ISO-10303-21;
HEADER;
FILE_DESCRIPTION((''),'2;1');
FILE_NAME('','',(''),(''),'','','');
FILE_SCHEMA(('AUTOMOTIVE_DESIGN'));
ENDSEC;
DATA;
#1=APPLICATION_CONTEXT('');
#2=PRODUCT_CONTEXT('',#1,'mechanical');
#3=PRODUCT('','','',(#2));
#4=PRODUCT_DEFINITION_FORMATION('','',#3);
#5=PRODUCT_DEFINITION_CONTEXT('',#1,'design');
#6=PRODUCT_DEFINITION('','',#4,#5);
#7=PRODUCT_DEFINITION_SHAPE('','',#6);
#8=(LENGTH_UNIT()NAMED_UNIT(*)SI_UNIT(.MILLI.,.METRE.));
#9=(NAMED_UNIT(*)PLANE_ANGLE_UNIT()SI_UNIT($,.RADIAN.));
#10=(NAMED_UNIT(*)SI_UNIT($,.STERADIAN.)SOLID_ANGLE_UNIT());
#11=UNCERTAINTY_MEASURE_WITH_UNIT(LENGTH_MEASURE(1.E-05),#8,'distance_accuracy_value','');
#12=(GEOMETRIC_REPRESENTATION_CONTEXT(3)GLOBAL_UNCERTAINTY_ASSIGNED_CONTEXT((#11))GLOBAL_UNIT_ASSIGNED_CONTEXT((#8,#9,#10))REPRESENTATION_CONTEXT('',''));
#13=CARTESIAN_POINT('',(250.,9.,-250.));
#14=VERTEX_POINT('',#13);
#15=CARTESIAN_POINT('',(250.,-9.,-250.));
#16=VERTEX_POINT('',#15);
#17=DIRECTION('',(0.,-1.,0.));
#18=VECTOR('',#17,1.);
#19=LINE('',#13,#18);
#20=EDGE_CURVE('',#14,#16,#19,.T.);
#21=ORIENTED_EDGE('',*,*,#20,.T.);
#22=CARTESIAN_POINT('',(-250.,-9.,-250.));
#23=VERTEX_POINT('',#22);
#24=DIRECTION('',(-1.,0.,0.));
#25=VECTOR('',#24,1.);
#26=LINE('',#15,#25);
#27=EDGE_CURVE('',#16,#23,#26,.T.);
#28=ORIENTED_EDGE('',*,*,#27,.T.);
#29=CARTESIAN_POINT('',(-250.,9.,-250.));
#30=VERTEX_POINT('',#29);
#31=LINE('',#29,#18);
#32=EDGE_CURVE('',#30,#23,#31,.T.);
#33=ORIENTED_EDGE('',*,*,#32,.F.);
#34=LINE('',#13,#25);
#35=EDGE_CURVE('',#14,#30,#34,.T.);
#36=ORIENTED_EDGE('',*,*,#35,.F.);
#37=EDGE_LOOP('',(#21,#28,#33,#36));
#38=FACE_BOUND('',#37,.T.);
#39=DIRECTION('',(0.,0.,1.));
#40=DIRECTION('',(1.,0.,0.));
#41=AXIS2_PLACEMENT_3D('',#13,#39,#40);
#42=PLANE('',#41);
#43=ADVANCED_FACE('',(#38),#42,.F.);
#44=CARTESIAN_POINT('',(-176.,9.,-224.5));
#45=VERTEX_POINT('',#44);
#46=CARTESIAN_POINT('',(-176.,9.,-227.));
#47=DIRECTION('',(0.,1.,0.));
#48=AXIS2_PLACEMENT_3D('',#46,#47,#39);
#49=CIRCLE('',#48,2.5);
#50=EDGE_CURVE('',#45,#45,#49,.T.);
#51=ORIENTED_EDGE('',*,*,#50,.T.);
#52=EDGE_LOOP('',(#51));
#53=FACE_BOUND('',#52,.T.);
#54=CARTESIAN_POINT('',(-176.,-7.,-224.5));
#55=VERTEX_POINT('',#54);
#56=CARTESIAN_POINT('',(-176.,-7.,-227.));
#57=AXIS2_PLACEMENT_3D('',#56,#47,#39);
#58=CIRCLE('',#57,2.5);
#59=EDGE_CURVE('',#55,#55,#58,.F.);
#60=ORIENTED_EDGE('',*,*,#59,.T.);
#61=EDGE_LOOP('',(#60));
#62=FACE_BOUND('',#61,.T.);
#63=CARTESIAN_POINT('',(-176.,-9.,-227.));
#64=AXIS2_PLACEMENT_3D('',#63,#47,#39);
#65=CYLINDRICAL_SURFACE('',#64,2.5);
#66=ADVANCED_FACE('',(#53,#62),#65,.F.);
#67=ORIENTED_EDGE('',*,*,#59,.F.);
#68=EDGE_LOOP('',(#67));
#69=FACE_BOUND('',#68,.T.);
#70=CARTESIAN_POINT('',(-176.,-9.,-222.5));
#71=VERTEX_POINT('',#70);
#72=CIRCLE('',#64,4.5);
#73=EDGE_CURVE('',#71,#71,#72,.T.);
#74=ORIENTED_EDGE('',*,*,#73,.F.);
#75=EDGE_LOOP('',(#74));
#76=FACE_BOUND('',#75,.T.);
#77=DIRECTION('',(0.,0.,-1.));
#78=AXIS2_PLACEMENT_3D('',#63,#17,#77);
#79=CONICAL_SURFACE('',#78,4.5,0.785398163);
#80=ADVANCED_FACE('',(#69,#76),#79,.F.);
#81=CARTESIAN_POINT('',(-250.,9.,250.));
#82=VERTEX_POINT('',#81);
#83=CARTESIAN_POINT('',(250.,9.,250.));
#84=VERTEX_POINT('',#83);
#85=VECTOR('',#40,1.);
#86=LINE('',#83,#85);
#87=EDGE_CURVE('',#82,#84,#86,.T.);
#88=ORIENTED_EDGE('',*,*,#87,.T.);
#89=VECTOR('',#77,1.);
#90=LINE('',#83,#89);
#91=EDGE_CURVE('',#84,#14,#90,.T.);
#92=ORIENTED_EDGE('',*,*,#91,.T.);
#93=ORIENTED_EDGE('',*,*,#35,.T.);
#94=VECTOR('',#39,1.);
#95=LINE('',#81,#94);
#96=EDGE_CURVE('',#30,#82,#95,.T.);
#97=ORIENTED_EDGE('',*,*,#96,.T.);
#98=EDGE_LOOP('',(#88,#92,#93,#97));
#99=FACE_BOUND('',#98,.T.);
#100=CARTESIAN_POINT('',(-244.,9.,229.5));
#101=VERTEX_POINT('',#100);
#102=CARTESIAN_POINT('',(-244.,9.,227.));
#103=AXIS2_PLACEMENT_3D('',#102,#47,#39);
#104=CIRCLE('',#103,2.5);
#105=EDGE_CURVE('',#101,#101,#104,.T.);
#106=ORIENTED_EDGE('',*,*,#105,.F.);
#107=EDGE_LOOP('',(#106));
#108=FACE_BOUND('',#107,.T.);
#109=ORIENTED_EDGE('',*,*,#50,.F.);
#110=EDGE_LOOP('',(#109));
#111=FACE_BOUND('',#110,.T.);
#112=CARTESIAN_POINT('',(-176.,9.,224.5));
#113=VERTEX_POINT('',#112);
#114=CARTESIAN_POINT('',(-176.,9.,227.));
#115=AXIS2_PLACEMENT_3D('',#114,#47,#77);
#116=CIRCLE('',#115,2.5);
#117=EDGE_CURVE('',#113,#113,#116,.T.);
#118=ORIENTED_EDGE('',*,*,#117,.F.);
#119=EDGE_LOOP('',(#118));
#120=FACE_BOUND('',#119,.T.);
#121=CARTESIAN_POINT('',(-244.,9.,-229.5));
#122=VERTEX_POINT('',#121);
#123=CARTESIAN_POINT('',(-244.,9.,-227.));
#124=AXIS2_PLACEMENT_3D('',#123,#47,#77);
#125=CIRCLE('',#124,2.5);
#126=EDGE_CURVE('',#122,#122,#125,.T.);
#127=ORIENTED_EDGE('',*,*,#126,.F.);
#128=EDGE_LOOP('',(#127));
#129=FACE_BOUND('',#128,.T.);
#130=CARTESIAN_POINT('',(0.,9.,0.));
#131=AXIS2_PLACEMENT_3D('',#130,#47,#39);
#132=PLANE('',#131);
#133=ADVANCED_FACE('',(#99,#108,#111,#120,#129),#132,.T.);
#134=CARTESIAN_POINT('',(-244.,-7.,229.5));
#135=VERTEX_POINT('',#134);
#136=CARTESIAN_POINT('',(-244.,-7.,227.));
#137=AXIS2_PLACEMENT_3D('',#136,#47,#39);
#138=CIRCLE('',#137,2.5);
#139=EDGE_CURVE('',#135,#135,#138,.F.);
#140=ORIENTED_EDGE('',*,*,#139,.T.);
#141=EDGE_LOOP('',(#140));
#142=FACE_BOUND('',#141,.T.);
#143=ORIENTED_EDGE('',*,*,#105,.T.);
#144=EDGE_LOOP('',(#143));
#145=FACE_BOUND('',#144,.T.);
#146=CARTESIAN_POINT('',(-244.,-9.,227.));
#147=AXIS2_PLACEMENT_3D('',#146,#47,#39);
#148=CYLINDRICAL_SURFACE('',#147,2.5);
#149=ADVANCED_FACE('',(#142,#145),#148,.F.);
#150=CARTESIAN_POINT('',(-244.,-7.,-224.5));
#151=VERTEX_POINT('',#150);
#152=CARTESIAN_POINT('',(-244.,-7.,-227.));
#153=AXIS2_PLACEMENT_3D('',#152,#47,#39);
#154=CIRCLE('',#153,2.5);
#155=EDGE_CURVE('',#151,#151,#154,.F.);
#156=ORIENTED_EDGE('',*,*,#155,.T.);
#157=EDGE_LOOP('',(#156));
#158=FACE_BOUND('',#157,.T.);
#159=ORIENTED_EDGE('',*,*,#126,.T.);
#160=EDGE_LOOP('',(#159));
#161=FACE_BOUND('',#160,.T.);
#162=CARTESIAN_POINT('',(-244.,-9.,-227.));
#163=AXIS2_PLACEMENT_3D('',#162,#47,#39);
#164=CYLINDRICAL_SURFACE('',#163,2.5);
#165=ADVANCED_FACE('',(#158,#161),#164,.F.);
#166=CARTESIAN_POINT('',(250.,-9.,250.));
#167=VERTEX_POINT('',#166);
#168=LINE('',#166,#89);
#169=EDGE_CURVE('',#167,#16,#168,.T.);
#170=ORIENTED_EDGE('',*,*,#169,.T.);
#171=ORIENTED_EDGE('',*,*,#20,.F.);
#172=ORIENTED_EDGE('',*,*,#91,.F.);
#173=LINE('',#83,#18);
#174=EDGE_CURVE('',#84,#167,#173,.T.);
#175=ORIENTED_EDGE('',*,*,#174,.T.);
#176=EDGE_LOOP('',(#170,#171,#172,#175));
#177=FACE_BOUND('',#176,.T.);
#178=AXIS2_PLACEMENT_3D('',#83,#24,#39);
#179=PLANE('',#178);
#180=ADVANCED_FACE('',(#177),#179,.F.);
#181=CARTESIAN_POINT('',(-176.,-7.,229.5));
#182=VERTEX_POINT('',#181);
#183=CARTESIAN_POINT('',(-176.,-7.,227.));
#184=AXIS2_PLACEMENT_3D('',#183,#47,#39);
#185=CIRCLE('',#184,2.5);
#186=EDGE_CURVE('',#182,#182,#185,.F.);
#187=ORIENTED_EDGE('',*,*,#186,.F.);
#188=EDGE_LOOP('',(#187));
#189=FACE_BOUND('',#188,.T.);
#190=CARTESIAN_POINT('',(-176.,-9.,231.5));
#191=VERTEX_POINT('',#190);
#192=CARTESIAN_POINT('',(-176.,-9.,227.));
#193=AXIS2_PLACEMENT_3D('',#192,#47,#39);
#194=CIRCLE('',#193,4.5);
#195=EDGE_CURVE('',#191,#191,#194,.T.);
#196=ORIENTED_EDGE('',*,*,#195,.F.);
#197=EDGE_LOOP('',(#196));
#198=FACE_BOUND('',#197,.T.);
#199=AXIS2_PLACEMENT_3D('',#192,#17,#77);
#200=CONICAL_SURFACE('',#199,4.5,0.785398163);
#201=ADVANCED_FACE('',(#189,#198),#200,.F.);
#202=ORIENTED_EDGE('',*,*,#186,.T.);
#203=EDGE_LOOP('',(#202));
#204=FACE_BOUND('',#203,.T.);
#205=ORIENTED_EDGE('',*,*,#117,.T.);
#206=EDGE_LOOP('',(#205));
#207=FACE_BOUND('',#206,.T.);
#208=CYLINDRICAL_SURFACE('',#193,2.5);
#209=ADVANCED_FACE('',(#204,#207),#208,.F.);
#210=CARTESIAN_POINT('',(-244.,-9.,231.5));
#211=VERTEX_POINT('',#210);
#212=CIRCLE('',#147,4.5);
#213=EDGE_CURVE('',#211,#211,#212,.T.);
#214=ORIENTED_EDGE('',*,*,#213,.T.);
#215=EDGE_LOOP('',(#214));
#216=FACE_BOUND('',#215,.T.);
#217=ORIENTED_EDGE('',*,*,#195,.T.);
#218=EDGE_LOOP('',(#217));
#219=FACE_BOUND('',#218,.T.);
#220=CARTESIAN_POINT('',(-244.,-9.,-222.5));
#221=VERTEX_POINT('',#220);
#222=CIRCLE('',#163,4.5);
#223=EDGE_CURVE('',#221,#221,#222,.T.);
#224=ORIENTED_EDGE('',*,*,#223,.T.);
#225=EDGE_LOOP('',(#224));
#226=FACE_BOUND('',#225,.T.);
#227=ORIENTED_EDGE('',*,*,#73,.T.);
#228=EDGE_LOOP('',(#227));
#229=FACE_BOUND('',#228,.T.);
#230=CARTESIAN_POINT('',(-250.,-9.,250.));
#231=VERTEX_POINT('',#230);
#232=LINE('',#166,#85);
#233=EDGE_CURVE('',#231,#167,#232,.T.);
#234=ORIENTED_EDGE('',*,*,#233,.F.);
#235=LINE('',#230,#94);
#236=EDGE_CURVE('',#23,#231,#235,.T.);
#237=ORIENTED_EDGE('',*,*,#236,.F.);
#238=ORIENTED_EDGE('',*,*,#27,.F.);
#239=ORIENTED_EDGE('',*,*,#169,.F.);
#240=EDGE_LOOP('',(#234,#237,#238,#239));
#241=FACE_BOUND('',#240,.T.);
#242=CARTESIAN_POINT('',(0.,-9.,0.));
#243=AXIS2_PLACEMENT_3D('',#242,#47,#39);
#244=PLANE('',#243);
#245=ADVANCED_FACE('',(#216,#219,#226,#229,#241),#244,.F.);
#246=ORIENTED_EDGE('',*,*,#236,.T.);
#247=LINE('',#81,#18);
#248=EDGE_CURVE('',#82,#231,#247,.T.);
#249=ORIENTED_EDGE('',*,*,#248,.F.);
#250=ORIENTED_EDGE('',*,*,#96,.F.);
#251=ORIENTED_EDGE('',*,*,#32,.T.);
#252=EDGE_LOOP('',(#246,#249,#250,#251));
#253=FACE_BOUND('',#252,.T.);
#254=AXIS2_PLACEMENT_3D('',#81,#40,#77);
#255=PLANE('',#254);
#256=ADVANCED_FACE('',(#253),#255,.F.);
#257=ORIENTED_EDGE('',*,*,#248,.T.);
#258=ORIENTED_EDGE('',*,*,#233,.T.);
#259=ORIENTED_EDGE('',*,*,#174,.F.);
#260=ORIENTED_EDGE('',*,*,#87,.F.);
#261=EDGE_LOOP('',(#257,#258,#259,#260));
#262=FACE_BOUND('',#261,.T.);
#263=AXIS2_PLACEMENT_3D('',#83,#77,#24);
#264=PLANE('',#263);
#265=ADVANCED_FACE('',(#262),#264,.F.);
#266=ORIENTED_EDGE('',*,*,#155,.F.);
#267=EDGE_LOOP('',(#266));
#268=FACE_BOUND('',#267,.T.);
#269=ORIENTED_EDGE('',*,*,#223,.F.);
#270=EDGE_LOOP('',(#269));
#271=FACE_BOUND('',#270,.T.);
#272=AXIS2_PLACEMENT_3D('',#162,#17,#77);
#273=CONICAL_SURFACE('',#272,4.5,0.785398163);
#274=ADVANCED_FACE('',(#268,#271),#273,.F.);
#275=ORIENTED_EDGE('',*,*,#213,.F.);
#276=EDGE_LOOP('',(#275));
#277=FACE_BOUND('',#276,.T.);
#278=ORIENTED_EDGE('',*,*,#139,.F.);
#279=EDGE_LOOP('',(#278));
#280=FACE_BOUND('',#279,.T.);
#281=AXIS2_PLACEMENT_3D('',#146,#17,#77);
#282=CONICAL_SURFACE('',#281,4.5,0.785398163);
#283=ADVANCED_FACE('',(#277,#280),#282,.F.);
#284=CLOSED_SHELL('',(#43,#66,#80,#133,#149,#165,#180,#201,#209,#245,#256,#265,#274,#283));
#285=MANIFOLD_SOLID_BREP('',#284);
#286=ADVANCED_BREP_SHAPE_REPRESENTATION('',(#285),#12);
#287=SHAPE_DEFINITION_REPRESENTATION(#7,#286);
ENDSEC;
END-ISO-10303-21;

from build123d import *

# Parameters (mm, degrees)
SKETCH1_W           = 500
SKETCH1_H           = 500
BOSS_EXTRUDE2_DEPTH = 9
SKETCH2_R           = 2.5
CUT_EXTRUDE1_DEPTH  = 355.011299255
CHAMFER1_SIZE       = 2


with BuildPart() as part:
    # Sketch1 → Boss-Extrude2 (new, symmetric)
    with BuildSketch(Plane(origin=(0, 0, 0), x_dir=(1, 0, 0), z_dir=(0, 1, 0))):
        Rectangle(SKETCH1_W, SKETCH1_H)
    extrude(amount=BOSS_EXTRUDE2_DEPTH, both=True)

    # Sketch2 → Cut-Extrude1 (cut, through all)
    with BuildSketch(Plane(origin=(0, 9, 0), x_dir=(1, 0, 0), z_dir=(0, 1, 0))):
        with Locations(Location((-176, 227, 0), (0, 0, 270))):
            Circle(SKETCH2_R)
        with Locations(Location((-244, 227, 0), (0, 0, 90))):
            Circle(SKETCH2_R)
        with Locations(Location((-244, -227, 0), (0, 0, 270))):
            Circle(SKETCH2_R)
        with Locations(Location((-176, -227, 0), (0, 0, 90))):
            Circle(SKETCH2_R)
    extrude(amount=-CUT_EXTRUDE1_DEPTH, mode=Mode.SUBTRACT)

    # Chamfer1
    chamfer1_edges = [part.edges().sort_by_distance(p)[0] for p in [
        (-244, -9, -224.5),
        (-176, -9, -229.5),
        (-176, -9, 229.5),
        (-244, -9, 224.5),
    ]]
    chamfer(chamfer1_edges, length=CHAMFER1_SIZE)


solid = part.part
